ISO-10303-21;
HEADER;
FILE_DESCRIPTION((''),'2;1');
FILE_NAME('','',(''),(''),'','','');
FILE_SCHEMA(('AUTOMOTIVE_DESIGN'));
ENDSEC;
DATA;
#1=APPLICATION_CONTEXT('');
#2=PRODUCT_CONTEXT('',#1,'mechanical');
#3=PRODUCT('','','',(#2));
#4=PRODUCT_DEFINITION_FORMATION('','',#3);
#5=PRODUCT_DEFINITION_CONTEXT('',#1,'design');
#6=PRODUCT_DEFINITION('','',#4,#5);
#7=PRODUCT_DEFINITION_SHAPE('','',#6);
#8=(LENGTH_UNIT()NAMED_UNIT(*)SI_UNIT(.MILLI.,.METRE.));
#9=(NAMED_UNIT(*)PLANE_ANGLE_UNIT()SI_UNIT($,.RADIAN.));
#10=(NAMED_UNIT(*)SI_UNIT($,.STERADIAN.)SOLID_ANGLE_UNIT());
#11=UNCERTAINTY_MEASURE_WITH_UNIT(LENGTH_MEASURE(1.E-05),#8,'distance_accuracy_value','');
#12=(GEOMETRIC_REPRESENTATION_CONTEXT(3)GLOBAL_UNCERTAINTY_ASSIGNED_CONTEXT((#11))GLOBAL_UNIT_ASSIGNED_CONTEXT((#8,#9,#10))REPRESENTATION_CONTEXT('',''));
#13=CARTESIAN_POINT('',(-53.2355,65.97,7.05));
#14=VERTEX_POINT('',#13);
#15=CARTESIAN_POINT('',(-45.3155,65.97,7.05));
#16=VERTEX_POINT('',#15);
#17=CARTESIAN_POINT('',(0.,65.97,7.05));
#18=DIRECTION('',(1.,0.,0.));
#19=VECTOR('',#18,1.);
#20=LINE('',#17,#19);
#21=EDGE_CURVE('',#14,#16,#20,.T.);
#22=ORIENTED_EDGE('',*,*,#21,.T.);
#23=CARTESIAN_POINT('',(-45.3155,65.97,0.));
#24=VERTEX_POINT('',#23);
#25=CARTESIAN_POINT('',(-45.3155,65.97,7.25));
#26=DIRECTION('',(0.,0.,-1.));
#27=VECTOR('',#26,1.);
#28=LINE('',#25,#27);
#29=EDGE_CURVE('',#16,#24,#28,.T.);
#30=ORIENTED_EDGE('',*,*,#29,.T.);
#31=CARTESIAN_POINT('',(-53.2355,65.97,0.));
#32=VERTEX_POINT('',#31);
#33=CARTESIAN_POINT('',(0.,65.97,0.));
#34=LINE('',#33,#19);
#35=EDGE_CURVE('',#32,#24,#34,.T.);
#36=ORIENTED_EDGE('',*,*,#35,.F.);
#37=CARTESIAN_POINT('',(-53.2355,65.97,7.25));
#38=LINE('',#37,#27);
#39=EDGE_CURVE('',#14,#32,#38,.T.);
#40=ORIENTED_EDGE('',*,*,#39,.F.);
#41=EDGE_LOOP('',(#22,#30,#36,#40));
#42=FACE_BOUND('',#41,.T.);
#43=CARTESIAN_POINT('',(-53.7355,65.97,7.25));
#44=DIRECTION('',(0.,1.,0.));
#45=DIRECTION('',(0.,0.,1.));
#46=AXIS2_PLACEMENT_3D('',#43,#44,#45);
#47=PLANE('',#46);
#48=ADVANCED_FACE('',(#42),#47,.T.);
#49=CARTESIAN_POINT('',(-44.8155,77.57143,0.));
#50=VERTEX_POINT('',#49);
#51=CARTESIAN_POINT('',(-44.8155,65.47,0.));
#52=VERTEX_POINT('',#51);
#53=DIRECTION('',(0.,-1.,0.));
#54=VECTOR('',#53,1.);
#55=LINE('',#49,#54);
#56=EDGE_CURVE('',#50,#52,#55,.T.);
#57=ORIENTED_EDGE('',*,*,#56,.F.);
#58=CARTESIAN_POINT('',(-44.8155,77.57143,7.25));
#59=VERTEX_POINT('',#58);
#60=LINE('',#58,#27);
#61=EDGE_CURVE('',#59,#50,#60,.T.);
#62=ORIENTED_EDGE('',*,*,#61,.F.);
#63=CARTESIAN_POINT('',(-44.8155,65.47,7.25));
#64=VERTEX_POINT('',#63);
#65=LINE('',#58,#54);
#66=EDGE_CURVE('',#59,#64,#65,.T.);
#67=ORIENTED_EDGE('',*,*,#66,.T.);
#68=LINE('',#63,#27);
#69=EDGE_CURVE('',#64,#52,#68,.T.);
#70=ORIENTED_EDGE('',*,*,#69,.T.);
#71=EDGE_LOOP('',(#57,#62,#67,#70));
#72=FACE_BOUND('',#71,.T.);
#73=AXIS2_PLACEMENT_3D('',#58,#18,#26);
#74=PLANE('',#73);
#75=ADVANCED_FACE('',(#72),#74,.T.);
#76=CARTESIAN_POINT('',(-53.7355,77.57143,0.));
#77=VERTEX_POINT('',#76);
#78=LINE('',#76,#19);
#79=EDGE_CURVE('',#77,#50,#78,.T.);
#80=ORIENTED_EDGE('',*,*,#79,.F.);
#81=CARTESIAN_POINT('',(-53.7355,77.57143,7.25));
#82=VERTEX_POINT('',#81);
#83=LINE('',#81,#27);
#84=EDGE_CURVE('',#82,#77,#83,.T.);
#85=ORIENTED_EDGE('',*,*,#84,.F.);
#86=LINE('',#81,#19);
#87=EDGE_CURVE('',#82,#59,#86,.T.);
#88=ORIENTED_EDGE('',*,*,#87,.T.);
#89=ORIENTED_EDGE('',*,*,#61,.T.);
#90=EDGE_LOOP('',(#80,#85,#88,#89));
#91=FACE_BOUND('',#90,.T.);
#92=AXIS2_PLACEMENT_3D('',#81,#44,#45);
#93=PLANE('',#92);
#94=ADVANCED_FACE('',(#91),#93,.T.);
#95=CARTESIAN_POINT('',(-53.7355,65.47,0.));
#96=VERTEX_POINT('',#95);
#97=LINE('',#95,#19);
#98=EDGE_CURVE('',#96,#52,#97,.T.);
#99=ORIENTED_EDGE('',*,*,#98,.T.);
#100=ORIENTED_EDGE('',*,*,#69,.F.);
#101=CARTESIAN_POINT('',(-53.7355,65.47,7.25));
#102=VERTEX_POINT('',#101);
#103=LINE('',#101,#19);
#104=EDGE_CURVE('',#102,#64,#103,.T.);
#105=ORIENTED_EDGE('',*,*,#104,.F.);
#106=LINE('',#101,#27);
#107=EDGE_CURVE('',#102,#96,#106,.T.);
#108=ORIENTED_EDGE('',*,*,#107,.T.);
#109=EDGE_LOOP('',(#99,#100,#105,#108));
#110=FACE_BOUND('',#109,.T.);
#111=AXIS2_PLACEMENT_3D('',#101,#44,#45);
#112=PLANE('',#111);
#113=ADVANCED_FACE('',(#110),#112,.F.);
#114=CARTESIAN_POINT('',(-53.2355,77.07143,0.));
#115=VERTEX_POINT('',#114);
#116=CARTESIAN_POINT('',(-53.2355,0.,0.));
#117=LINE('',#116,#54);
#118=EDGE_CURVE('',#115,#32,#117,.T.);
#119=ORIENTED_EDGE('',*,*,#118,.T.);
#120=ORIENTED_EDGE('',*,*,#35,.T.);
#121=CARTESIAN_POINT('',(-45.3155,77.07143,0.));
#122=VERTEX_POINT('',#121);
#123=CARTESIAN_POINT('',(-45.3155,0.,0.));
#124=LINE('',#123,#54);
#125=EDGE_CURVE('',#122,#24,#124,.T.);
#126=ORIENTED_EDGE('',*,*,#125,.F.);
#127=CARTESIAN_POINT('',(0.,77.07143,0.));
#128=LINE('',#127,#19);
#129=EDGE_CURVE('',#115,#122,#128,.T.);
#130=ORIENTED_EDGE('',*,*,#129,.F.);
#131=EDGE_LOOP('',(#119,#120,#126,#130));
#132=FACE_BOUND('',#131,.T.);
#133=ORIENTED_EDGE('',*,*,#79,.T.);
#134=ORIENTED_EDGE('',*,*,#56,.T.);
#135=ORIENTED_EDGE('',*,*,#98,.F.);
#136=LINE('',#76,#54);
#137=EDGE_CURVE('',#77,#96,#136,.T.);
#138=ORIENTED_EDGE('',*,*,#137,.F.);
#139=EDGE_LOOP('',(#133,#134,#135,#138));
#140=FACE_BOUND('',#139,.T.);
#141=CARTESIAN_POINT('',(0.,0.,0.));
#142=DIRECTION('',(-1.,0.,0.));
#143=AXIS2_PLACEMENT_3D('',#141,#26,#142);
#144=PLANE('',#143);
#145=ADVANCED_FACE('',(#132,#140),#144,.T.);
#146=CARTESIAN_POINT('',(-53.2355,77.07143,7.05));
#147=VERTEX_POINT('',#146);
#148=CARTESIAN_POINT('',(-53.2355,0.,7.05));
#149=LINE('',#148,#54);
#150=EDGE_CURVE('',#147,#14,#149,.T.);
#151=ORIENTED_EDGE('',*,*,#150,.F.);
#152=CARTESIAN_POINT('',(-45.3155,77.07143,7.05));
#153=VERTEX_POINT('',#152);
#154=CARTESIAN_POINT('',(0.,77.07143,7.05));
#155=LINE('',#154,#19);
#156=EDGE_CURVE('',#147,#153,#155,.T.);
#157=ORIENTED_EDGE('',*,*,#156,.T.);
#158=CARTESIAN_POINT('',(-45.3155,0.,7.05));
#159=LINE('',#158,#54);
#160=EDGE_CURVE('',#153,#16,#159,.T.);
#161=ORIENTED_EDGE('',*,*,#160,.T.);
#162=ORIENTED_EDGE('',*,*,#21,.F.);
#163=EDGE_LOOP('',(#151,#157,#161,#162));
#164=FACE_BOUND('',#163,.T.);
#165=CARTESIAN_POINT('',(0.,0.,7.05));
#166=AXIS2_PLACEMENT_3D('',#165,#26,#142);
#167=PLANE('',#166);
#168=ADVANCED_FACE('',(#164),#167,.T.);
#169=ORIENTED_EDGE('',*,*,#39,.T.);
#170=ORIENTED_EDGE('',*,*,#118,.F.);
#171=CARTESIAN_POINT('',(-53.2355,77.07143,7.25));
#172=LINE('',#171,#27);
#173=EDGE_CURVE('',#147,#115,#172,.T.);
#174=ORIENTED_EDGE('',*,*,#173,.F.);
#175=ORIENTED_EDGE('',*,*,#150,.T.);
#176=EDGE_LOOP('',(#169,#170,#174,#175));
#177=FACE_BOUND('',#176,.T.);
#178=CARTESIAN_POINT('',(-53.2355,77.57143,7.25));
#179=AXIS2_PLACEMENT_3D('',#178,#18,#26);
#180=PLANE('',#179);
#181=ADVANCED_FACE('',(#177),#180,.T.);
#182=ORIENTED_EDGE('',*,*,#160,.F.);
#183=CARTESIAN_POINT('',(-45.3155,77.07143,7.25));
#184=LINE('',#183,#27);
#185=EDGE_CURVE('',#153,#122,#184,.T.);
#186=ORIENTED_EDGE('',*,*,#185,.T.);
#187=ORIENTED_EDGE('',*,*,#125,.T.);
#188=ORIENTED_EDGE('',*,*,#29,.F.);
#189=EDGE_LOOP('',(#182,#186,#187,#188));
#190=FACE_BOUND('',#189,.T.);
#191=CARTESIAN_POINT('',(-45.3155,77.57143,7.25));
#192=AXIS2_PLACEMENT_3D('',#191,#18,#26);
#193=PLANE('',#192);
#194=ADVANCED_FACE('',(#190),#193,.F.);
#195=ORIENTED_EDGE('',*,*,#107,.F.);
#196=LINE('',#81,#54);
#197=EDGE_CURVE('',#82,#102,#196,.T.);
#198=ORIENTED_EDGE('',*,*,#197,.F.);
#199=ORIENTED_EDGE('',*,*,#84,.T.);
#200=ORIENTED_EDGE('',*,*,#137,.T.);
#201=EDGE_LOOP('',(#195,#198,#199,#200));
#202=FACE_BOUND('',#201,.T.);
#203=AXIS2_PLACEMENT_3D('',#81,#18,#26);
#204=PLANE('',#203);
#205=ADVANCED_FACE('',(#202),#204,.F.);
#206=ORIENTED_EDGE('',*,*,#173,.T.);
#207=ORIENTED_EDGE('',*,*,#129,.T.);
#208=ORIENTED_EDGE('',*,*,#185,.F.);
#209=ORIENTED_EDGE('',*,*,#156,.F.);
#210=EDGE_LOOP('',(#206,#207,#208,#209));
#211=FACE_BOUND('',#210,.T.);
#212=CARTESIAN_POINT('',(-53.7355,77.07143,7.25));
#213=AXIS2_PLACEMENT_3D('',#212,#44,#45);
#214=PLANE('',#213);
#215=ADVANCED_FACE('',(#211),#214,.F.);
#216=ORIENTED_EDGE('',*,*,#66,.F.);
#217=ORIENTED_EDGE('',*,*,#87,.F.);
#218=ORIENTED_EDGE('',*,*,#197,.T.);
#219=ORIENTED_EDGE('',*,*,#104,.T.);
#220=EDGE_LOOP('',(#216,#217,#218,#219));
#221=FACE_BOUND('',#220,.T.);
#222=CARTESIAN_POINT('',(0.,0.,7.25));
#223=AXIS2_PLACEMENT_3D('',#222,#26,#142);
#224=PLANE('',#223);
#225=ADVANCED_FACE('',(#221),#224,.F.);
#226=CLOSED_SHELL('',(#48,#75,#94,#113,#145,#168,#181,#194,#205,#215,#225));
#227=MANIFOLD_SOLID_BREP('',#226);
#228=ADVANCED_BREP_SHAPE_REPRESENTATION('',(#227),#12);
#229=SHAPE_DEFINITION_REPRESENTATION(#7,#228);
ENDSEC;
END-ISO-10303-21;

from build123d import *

# Parameters (mm, degrees)
SKETCH1_W                 = 8.92
SKETCH1_H                 = 12.101430126
BOSS_EXTRUDE1_DEPTH       = 7.25
SHELL1_T                  = -0.5
SHELL1_THICKNESS_2_FACE_W = 7.92
SHELL1_THICKNESS_2_FACE_H = 11.101430126
SHELL1_THICKNESS_2_DEPTH  = 0.3


with BuildPart() as part:
    # Sketch1 → Boss-Extrude1 (new body)
    with BuildSketch(Plane.XY):
        with Locations((-49.2755, 71.520715063)):
            Rectangle(SKETCH1_W, SKETCH1_H)
    extrude(amount=BOSS_EXTRUDE1_DEPTH)

    # Shell1
    shell1_openings = [part.faces().sort_by_distance(p)[0] for p in [
        (-49.2755, 71.520715063, 0),
    ]]
    offset(amount=SHELL1_T, openings=shell1_openings, kind=Kind.INTERSECTION)

    # Shell1 thickness 2 face (on inner face of the shell) → Shell1 thickness 2 (cut)
    with BuildSketch(Plane(origin=(-49.2755, 71.520715063, 6.75), x_dir=(1, 0, 0), z_dir=(0, 0, 1))):
        Rectangle(SHELL1_THICKNESS_2_FACE_W, SHELL1_THICKNESS_2_FACE_H)
    extrude(amount=SHELL1_THICKNESS_2_DEPTH, mode=Mode.SUBTRACT)


solid = part.part
